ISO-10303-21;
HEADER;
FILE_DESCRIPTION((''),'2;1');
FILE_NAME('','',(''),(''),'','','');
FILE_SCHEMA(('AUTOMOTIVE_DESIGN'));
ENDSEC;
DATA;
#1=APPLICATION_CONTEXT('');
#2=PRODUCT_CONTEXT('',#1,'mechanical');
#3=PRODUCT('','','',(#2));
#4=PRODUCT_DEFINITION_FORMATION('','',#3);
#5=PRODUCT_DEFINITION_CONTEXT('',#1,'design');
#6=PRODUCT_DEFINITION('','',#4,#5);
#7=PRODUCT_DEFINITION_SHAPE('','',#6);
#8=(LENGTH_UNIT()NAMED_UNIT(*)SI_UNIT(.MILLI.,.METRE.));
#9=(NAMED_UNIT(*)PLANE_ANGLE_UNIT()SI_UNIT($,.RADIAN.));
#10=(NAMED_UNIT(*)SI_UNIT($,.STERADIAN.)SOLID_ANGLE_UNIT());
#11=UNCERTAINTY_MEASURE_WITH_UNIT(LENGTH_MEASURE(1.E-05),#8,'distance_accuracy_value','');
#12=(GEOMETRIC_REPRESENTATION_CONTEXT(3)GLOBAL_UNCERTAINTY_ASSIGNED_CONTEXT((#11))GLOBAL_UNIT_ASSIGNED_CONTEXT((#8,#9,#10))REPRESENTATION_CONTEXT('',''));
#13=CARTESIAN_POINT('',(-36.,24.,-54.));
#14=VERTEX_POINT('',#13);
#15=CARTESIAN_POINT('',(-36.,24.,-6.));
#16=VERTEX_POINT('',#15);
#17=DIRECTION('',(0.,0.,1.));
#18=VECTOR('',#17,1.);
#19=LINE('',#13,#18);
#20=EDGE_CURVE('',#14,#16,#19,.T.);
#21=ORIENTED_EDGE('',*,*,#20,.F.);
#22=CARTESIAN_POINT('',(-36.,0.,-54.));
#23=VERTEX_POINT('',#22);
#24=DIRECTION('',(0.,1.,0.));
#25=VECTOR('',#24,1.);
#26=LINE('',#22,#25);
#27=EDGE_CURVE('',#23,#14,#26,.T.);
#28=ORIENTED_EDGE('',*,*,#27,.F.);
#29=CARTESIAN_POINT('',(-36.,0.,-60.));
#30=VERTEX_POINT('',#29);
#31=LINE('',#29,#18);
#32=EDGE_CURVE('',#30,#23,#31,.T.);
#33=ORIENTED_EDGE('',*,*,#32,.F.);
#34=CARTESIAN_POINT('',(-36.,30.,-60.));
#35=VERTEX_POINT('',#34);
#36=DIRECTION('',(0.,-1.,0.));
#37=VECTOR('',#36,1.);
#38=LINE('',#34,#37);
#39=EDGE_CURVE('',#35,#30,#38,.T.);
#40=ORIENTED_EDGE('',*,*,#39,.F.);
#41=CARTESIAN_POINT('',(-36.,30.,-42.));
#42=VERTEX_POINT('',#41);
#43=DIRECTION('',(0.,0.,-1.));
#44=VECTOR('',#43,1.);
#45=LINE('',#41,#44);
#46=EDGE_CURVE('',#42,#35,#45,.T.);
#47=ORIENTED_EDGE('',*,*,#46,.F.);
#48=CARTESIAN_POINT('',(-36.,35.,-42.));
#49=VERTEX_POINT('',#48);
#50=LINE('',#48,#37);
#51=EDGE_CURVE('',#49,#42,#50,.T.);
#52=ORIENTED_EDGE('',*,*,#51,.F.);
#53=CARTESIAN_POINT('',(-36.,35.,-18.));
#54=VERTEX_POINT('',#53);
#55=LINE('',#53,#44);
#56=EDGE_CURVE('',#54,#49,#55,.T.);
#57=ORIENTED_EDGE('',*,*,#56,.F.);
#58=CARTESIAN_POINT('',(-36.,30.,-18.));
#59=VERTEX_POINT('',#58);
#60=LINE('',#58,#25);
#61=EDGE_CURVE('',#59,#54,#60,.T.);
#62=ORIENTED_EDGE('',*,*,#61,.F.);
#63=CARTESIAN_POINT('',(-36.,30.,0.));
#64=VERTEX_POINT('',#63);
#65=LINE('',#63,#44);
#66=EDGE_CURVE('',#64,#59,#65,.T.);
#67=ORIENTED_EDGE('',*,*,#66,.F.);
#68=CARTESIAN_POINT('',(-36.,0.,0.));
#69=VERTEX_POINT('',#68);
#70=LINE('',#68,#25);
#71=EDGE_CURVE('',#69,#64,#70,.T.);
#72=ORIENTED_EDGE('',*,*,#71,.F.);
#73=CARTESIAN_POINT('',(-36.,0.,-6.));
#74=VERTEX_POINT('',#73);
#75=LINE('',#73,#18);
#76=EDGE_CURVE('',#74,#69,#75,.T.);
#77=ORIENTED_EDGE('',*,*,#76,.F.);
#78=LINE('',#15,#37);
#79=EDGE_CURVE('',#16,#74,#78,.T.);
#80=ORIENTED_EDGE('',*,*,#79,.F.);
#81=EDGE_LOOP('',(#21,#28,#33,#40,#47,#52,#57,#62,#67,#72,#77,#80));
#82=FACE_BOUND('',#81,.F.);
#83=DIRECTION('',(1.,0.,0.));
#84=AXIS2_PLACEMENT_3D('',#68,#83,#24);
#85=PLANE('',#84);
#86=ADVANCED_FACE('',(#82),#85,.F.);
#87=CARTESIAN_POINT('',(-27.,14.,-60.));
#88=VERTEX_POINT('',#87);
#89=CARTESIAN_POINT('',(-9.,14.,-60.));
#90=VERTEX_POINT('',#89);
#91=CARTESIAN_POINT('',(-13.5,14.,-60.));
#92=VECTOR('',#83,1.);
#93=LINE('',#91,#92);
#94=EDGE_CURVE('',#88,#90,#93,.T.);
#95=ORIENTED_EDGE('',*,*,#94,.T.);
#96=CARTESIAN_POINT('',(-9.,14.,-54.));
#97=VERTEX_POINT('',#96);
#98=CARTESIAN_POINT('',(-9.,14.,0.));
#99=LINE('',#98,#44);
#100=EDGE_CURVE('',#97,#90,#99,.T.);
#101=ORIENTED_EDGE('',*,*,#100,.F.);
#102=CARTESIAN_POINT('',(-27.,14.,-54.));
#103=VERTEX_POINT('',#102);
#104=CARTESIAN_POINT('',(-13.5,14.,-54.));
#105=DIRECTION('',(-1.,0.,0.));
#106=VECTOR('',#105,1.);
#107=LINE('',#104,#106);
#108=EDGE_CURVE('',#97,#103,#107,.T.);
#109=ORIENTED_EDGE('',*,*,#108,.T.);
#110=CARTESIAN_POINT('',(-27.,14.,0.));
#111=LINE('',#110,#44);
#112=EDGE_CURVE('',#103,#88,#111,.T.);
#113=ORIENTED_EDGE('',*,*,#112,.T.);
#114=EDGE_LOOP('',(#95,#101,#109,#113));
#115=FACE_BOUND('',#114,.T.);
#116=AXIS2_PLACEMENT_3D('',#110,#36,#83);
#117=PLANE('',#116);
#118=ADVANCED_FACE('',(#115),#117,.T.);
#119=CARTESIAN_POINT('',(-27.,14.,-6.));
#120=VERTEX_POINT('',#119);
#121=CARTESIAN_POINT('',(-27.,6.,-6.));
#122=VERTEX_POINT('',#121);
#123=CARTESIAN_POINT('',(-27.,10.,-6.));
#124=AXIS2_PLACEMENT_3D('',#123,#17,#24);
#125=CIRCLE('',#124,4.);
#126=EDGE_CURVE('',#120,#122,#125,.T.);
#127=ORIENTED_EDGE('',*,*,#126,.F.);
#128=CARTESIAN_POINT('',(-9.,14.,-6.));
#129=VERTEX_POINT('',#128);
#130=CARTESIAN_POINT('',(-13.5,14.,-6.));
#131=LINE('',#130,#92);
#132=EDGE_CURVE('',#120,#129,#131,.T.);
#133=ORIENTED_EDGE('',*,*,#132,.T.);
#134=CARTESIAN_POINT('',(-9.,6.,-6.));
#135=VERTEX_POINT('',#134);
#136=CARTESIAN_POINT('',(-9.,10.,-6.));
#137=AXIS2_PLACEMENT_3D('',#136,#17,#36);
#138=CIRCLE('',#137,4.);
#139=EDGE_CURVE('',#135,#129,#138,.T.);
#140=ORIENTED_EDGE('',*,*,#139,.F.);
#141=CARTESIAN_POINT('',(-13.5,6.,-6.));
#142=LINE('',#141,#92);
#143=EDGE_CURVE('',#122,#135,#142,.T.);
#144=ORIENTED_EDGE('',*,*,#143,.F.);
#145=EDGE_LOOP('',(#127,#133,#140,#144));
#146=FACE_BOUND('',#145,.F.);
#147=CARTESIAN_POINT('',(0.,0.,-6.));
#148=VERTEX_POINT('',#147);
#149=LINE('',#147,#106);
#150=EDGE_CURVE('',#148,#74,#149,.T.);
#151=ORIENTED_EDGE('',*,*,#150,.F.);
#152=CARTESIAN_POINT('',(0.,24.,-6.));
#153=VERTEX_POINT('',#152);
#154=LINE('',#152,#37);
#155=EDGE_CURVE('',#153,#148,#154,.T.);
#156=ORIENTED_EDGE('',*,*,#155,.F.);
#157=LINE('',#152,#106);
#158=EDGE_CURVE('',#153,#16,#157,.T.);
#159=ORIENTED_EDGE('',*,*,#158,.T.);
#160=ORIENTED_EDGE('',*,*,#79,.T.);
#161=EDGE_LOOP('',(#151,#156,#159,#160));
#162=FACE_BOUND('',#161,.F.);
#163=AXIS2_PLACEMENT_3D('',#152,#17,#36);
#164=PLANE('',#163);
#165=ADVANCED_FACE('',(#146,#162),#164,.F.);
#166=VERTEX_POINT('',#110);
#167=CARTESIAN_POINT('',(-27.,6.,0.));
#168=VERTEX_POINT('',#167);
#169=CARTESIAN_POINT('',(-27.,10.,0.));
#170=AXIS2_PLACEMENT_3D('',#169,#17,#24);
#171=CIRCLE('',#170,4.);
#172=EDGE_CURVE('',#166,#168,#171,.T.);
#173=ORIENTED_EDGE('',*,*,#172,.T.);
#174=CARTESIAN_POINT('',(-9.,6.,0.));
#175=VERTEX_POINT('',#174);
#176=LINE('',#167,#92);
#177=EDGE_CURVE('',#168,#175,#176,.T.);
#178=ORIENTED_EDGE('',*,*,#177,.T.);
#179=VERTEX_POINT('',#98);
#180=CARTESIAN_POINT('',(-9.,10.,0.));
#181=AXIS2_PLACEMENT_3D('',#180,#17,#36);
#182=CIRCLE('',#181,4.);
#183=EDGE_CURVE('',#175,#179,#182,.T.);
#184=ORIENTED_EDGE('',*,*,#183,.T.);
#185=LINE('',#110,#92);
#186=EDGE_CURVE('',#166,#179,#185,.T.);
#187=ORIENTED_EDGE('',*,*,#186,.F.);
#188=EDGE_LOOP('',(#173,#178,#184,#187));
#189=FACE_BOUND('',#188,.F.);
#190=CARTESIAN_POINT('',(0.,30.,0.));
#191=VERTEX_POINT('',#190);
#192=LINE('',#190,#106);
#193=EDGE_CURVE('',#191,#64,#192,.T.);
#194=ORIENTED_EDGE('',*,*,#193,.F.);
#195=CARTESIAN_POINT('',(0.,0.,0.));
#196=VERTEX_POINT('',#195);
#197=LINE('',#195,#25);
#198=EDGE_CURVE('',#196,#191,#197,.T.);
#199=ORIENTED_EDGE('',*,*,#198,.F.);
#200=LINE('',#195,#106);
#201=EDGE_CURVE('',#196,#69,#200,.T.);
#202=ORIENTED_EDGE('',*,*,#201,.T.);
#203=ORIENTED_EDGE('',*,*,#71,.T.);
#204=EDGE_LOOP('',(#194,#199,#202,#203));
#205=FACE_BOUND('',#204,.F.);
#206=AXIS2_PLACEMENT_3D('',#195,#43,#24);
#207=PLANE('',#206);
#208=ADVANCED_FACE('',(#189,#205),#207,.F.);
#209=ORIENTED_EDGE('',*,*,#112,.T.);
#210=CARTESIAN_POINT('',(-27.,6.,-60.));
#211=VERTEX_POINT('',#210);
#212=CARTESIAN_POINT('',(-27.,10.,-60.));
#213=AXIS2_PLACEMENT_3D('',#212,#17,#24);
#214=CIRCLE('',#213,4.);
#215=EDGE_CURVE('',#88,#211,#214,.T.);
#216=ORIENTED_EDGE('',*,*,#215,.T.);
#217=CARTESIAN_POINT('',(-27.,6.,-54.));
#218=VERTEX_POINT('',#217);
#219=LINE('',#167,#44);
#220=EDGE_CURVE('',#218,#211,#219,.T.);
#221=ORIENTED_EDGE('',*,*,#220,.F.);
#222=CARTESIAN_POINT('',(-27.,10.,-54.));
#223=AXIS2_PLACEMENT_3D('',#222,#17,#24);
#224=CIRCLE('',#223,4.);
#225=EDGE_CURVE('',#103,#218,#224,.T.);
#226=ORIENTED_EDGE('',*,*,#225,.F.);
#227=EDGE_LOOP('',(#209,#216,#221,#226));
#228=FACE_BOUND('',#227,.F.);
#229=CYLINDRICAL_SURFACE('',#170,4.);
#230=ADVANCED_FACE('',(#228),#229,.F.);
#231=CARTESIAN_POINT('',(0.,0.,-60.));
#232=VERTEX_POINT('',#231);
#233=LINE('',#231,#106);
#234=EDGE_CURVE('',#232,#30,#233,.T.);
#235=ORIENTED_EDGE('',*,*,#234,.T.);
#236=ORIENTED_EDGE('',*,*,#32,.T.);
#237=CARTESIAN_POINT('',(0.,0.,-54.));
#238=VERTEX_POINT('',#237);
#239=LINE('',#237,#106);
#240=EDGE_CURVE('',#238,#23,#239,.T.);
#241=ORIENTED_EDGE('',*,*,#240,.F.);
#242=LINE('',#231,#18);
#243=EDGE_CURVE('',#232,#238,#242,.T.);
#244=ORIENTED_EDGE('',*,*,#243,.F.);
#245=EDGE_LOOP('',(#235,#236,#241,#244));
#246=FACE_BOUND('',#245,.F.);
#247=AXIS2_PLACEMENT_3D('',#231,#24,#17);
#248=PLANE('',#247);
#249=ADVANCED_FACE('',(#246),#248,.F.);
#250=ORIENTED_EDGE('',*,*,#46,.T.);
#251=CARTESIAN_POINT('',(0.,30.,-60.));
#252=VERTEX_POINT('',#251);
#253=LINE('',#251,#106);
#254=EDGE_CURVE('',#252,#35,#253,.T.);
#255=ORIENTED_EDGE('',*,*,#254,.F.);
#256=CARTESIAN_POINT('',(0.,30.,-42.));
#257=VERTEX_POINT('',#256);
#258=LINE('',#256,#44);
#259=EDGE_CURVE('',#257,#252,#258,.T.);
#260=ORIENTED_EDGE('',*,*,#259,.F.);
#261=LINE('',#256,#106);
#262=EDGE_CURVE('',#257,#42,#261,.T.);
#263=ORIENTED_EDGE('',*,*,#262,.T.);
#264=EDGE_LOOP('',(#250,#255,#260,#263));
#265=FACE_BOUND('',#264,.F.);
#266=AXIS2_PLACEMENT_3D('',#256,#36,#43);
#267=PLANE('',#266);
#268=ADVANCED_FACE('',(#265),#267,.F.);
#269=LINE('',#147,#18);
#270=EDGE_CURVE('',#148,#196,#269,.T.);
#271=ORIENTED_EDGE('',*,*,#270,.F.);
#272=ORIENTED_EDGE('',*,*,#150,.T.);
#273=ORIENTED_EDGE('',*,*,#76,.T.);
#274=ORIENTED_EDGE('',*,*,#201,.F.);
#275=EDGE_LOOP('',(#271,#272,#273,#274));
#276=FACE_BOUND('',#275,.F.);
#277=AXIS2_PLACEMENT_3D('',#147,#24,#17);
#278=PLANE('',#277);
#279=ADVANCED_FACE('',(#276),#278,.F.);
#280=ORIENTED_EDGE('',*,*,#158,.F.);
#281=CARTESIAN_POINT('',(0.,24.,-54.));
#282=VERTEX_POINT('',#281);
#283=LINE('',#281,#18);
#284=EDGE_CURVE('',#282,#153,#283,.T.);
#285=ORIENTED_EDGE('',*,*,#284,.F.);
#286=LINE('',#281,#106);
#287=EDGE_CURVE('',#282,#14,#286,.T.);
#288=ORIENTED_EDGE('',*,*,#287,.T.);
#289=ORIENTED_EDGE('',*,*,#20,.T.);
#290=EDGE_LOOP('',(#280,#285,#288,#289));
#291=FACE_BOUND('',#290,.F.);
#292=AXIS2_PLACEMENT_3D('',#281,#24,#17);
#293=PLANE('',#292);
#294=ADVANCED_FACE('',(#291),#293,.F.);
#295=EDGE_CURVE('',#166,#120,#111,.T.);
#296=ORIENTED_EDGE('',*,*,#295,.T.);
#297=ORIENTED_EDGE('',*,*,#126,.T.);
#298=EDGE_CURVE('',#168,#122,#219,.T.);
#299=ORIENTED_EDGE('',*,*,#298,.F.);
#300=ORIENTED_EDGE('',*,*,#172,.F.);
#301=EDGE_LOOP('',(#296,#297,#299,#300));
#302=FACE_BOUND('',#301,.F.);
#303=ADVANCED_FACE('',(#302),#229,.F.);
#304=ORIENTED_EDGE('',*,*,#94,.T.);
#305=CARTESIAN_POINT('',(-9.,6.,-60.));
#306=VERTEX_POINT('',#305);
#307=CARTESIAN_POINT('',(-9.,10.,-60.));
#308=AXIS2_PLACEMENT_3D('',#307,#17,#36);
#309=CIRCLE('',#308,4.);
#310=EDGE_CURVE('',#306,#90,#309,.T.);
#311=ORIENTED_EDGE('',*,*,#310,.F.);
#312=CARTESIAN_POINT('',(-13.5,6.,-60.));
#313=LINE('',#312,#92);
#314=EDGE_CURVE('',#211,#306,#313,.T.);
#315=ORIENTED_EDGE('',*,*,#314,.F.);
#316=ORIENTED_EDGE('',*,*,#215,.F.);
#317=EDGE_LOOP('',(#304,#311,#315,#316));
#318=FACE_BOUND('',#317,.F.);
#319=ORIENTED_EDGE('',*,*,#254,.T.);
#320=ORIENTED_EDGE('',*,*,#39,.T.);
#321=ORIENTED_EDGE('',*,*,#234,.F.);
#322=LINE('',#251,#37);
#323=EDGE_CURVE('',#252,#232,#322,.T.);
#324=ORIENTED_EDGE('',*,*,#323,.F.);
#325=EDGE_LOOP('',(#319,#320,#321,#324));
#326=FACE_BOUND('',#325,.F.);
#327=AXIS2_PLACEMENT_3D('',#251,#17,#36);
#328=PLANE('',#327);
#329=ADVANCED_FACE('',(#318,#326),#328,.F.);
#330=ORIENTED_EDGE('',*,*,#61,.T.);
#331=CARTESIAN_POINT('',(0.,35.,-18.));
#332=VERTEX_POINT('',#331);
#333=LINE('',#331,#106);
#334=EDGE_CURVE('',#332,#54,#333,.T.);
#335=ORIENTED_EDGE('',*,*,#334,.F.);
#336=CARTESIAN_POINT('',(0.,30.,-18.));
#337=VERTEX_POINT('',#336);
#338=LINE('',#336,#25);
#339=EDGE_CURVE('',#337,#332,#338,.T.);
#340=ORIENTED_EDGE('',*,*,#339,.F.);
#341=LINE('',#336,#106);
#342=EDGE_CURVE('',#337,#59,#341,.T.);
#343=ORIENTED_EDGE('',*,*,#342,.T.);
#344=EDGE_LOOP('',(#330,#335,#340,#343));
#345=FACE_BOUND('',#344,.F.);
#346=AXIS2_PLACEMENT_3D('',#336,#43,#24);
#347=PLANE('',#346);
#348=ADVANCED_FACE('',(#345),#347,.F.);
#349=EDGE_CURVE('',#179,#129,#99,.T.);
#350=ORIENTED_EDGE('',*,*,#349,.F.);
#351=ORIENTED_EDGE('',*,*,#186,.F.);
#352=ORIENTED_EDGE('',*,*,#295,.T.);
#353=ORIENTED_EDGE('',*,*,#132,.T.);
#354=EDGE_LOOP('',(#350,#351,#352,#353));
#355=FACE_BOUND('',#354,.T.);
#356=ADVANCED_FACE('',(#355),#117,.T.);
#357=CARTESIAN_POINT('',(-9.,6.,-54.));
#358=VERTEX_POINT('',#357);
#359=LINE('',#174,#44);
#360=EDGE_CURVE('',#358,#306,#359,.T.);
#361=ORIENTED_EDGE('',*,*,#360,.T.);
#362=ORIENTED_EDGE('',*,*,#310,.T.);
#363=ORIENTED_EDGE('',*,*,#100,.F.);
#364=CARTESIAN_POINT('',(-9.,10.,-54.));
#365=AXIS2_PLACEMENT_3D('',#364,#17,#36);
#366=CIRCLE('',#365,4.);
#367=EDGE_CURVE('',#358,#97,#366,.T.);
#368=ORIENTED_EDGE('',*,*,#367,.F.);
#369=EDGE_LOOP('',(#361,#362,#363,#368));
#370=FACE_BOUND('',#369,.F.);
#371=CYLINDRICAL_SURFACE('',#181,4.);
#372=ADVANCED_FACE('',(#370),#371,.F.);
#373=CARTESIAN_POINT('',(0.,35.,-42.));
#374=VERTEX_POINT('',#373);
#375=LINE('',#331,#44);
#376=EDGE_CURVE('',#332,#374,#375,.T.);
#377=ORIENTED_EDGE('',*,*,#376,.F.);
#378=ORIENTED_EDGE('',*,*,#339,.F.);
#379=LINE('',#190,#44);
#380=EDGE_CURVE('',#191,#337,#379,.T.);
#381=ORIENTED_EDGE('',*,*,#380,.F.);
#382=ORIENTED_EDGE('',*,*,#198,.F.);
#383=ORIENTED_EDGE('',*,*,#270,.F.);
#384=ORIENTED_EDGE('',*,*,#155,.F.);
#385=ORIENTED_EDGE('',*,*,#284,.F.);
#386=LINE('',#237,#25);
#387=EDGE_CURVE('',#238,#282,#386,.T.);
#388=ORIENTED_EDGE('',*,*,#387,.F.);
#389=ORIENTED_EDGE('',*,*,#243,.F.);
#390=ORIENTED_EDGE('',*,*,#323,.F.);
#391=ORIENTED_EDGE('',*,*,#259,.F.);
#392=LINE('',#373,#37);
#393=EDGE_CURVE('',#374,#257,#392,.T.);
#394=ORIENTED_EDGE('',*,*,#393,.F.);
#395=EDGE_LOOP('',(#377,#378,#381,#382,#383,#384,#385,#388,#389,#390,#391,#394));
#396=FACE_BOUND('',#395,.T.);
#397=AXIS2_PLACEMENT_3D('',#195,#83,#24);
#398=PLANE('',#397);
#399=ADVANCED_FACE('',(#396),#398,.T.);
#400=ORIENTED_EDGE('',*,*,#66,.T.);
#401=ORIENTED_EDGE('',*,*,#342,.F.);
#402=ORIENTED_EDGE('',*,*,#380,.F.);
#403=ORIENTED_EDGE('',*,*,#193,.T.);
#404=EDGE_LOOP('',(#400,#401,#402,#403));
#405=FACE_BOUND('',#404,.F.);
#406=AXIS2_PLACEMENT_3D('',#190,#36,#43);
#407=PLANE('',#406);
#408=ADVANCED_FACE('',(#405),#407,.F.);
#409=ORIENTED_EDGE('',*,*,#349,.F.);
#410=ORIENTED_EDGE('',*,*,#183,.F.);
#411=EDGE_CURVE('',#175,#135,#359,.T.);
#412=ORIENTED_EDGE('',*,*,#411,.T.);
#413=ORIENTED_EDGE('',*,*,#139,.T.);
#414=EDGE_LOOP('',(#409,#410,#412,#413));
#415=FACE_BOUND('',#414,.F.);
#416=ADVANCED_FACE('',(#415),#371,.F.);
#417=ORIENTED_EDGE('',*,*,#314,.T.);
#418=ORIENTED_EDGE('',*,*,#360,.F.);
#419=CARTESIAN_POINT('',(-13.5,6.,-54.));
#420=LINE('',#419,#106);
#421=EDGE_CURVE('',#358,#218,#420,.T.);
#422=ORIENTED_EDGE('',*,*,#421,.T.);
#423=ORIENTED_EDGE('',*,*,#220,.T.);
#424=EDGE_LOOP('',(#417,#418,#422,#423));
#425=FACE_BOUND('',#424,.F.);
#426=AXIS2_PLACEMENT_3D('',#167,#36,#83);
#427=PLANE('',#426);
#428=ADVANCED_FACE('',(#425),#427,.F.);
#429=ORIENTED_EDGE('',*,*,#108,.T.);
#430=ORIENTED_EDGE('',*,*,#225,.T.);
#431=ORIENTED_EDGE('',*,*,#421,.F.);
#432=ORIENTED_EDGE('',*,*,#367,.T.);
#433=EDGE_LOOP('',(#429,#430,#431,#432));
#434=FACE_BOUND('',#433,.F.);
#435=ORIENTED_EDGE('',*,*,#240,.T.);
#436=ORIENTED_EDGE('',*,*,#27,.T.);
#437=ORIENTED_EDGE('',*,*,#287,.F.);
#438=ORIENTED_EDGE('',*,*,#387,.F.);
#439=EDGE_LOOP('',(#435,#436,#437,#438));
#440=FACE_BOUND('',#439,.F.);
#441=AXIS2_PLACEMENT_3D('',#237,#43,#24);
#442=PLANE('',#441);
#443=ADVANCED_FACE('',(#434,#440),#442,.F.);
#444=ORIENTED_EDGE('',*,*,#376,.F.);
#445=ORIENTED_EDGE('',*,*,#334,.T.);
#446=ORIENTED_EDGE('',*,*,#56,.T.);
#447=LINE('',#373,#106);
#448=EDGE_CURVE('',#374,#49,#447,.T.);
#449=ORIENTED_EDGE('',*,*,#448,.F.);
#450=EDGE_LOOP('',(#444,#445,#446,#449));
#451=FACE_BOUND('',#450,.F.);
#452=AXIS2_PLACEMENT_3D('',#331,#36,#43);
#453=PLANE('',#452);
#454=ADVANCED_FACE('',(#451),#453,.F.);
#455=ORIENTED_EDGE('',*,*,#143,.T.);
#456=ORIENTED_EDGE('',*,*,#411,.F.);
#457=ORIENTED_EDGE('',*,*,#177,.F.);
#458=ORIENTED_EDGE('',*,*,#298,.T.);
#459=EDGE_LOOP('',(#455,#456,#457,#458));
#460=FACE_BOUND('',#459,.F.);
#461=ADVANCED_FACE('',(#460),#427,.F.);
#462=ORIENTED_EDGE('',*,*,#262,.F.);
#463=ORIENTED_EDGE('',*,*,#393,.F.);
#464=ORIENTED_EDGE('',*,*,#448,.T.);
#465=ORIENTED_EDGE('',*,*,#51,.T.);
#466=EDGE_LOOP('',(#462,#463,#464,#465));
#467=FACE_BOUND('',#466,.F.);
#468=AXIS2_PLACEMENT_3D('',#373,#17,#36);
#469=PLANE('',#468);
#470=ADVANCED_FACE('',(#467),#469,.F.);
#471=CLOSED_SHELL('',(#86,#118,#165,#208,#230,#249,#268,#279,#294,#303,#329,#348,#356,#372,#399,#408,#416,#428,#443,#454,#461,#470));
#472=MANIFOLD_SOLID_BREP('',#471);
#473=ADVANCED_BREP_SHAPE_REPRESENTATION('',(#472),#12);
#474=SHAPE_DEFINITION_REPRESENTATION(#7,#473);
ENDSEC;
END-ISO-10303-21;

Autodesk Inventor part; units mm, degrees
ref_plane "YZ Plane" through (0, 0, 0) normal (1, 0, 0) x (0, 1, 0)
ref_plane "XZ Plane" through (0, 0, 0) normal (0, 1, 0) x (-1, 0, 0)
ref_plane "XY Plane" through (0, 0, 0) normal (0, 0, 1) x (1, 0, 0)
sketch "Sketch2" plane through (0, 0, 0) normal (1, 0, 0) x (0, 1, 0)
  line L0 (0, 0) -> (30, 0)
  line L1 (30, 0) -> (30, -18)
  line L2 (30, -18) -> (35, -18)
  line L3 (35, -18) -> (35, -42)
  line L4 (35, -42) -> (30, -42)
  line L5 (30, -42) -> (30, -60)
  line L6 (30, -60) -> (0, -60)
  line L7 (0, -60) -> (0, -54)
  line L8 (0, -54) -> (24, -54)
  line L9 (24, -54) -> (24, -6)
  line L10 (24, -6) -> (0, -6)
  line L11 (0, -6) -> (0, 0)
  dimension "d0" = 60
  dimension "d1" = 6
  dimension "d2" = 6
  dimension "d3" = 18
  dimension "d4" = 24
  dimension "d5" = 30
  dimension "d6" = 24
  dimension "d10" = 35
extrude "Extrusion1" add sketch "Sketch2" against normal blind 36
sketch "Sketch3" plane through (0, 0, 0) normal (0, 0, 1) x (1, 0, 0)
  line L0 (0, 0) -> (-36, 0) projected
  line L1 (-27, 0) -> (-27, 10)
  line L2 (-36, 0) -> (-36, 30) projected
  arc A0 (-27, 14) -> (-27, 6) centre (-27, 10) ccw
  line L3 (-27, 10) -> (-9, 10)
  line L4 (-9, 10) -> (-9, 0)
  line L5 (0, 30) -> (0, 0) projected
  arc A1 (-9, 6) -> (-9, 14) centre (-9, 10) ccw
  line L6 (-27, 14) -> (-9, 14)
  line L7 (-27, 6) -> (-9, 6)
  dimension "d11" = 9
  dimension "d12" = 9
  dimension "d13" = 8
  dimension "d14" = 8
  dimension "d15" = 10
extrude "Extrusion2" cut sketch "Sketch3" against normal through all contours L7 L1 L3 L4 | L4 L3 L1 A0 L6 A1
properties part number "peca1"
